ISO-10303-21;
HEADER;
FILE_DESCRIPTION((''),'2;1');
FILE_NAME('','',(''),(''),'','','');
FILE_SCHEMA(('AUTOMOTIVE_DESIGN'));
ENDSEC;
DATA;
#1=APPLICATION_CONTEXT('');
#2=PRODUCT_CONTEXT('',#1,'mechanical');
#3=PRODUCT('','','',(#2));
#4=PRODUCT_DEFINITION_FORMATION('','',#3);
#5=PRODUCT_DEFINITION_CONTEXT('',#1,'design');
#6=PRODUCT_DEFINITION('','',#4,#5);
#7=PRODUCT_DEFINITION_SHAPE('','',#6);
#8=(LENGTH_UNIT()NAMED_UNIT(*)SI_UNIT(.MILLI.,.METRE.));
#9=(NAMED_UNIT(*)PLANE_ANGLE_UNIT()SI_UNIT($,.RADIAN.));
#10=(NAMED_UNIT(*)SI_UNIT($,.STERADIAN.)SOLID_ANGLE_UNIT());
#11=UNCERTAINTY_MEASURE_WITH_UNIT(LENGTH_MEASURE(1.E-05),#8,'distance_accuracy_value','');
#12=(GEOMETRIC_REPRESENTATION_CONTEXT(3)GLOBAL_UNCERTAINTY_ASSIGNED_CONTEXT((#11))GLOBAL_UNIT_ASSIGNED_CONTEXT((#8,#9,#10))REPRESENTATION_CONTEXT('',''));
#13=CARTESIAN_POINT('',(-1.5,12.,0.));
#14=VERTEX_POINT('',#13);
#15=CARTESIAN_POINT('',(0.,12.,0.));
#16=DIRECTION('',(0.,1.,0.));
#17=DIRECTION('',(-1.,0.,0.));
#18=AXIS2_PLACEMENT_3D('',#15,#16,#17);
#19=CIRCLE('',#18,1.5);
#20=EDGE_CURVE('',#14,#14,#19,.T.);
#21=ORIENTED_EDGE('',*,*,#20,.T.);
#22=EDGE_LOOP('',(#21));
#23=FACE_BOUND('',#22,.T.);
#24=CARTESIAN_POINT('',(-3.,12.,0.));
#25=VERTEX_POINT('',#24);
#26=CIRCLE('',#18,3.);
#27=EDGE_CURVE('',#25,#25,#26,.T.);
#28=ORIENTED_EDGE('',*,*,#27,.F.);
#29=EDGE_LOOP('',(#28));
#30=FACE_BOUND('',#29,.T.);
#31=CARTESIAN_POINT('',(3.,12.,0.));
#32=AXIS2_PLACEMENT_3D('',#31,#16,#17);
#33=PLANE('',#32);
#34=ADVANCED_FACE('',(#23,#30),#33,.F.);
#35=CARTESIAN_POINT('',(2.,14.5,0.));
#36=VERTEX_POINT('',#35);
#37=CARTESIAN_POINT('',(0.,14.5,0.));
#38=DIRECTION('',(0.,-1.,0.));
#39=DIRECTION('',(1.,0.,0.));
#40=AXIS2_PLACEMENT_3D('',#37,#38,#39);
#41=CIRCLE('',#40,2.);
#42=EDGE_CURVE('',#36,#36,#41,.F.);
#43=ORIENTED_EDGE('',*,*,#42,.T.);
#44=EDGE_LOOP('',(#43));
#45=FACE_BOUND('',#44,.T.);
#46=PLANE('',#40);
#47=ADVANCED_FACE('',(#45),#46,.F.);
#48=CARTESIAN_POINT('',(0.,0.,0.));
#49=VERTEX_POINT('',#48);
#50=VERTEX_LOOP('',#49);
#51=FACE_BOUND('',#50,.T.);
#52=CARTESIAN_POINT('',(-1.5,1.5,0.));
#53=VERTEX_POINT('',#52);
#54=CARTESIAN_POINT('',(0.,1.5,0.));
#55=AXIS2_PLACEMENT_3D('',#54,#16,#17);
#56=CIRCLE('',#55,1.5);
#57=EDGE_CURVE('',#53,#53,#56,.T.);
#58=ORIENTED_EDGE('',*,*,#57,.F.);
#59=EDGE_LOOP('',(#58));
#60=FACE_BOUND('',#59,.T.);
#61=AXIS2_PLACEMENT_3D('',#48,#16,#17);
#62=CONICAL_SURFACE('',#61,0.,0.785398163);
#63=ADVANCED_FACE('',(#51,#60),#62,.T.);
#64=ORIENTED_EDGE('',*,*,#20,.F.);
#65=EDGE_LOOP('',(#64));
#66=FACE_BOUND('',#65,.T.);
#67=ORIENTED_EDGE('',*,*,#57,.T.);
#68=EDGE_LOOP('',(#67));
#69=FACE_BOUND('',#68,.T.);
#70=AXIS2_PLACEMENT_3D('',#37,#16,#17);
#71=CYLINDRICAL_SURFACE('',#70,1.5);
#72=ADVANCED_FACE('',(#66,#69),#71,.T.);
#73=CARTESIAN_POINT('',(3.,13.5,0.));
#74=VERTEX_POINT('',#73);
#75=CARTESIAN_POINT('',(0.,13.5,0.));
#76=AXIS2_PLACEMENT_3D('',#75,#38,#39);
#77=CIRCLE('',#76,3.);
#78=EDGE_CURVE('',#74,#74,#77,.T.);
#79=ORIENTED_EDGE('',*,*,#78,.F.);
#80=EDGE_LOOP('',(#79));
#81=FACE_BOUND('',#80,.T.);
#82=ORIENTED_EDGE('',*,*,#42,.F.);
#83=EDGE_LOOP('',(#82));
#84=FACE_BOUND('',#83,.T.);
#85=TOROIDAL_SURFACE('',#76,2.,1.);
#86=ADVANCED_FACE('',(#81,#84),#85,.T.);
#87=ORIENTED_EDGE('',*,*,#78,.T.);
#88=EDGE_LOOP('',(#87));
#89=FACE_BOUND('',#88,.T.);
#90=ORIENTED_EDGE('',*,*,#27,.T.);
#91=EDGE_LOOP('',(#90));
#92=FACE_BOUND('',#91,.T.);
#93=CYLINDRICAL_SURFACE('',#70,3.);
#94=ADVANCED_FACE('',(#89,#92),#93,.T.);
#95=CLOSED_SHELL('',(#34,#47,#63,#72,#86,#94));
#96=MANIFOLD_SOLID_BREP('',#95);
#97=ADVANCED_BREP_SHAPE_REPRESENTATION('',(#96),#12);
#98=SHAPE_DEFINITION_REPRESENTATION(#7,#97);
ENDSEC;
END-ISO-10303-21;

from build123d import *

# Parameters (mm, degrees)
FILLET_1_R = 1


with BuildPart() as part:
    # Эскиз1 → Шуруп М3х6 (revolve)
    with BuildSketch(Plane.XY, mode=Mode.PRIVATE) as revolve_3_6_sk:
        Polygon((0, 14.5), (3, 14.5), (3, 12), (1.5, 12), (1.5, 1.5), (0, 0), align=None)
    revolve(revolve_3_6_sk.sketch.rotate(Axis((0, 14.5, 0), (0, -1, 0)), 180), axis=Axis((0, 14.5, 0), (0, -1, 0)))

    # Скругление1
    fillet_1_edges = [part.edges().sort_by_distance(p)[0] for p in [
        (3, 14.5, 0),
    ]]
    fillet(fillet_1_edges, radius=FILLET_1_R)


solid = part.part
